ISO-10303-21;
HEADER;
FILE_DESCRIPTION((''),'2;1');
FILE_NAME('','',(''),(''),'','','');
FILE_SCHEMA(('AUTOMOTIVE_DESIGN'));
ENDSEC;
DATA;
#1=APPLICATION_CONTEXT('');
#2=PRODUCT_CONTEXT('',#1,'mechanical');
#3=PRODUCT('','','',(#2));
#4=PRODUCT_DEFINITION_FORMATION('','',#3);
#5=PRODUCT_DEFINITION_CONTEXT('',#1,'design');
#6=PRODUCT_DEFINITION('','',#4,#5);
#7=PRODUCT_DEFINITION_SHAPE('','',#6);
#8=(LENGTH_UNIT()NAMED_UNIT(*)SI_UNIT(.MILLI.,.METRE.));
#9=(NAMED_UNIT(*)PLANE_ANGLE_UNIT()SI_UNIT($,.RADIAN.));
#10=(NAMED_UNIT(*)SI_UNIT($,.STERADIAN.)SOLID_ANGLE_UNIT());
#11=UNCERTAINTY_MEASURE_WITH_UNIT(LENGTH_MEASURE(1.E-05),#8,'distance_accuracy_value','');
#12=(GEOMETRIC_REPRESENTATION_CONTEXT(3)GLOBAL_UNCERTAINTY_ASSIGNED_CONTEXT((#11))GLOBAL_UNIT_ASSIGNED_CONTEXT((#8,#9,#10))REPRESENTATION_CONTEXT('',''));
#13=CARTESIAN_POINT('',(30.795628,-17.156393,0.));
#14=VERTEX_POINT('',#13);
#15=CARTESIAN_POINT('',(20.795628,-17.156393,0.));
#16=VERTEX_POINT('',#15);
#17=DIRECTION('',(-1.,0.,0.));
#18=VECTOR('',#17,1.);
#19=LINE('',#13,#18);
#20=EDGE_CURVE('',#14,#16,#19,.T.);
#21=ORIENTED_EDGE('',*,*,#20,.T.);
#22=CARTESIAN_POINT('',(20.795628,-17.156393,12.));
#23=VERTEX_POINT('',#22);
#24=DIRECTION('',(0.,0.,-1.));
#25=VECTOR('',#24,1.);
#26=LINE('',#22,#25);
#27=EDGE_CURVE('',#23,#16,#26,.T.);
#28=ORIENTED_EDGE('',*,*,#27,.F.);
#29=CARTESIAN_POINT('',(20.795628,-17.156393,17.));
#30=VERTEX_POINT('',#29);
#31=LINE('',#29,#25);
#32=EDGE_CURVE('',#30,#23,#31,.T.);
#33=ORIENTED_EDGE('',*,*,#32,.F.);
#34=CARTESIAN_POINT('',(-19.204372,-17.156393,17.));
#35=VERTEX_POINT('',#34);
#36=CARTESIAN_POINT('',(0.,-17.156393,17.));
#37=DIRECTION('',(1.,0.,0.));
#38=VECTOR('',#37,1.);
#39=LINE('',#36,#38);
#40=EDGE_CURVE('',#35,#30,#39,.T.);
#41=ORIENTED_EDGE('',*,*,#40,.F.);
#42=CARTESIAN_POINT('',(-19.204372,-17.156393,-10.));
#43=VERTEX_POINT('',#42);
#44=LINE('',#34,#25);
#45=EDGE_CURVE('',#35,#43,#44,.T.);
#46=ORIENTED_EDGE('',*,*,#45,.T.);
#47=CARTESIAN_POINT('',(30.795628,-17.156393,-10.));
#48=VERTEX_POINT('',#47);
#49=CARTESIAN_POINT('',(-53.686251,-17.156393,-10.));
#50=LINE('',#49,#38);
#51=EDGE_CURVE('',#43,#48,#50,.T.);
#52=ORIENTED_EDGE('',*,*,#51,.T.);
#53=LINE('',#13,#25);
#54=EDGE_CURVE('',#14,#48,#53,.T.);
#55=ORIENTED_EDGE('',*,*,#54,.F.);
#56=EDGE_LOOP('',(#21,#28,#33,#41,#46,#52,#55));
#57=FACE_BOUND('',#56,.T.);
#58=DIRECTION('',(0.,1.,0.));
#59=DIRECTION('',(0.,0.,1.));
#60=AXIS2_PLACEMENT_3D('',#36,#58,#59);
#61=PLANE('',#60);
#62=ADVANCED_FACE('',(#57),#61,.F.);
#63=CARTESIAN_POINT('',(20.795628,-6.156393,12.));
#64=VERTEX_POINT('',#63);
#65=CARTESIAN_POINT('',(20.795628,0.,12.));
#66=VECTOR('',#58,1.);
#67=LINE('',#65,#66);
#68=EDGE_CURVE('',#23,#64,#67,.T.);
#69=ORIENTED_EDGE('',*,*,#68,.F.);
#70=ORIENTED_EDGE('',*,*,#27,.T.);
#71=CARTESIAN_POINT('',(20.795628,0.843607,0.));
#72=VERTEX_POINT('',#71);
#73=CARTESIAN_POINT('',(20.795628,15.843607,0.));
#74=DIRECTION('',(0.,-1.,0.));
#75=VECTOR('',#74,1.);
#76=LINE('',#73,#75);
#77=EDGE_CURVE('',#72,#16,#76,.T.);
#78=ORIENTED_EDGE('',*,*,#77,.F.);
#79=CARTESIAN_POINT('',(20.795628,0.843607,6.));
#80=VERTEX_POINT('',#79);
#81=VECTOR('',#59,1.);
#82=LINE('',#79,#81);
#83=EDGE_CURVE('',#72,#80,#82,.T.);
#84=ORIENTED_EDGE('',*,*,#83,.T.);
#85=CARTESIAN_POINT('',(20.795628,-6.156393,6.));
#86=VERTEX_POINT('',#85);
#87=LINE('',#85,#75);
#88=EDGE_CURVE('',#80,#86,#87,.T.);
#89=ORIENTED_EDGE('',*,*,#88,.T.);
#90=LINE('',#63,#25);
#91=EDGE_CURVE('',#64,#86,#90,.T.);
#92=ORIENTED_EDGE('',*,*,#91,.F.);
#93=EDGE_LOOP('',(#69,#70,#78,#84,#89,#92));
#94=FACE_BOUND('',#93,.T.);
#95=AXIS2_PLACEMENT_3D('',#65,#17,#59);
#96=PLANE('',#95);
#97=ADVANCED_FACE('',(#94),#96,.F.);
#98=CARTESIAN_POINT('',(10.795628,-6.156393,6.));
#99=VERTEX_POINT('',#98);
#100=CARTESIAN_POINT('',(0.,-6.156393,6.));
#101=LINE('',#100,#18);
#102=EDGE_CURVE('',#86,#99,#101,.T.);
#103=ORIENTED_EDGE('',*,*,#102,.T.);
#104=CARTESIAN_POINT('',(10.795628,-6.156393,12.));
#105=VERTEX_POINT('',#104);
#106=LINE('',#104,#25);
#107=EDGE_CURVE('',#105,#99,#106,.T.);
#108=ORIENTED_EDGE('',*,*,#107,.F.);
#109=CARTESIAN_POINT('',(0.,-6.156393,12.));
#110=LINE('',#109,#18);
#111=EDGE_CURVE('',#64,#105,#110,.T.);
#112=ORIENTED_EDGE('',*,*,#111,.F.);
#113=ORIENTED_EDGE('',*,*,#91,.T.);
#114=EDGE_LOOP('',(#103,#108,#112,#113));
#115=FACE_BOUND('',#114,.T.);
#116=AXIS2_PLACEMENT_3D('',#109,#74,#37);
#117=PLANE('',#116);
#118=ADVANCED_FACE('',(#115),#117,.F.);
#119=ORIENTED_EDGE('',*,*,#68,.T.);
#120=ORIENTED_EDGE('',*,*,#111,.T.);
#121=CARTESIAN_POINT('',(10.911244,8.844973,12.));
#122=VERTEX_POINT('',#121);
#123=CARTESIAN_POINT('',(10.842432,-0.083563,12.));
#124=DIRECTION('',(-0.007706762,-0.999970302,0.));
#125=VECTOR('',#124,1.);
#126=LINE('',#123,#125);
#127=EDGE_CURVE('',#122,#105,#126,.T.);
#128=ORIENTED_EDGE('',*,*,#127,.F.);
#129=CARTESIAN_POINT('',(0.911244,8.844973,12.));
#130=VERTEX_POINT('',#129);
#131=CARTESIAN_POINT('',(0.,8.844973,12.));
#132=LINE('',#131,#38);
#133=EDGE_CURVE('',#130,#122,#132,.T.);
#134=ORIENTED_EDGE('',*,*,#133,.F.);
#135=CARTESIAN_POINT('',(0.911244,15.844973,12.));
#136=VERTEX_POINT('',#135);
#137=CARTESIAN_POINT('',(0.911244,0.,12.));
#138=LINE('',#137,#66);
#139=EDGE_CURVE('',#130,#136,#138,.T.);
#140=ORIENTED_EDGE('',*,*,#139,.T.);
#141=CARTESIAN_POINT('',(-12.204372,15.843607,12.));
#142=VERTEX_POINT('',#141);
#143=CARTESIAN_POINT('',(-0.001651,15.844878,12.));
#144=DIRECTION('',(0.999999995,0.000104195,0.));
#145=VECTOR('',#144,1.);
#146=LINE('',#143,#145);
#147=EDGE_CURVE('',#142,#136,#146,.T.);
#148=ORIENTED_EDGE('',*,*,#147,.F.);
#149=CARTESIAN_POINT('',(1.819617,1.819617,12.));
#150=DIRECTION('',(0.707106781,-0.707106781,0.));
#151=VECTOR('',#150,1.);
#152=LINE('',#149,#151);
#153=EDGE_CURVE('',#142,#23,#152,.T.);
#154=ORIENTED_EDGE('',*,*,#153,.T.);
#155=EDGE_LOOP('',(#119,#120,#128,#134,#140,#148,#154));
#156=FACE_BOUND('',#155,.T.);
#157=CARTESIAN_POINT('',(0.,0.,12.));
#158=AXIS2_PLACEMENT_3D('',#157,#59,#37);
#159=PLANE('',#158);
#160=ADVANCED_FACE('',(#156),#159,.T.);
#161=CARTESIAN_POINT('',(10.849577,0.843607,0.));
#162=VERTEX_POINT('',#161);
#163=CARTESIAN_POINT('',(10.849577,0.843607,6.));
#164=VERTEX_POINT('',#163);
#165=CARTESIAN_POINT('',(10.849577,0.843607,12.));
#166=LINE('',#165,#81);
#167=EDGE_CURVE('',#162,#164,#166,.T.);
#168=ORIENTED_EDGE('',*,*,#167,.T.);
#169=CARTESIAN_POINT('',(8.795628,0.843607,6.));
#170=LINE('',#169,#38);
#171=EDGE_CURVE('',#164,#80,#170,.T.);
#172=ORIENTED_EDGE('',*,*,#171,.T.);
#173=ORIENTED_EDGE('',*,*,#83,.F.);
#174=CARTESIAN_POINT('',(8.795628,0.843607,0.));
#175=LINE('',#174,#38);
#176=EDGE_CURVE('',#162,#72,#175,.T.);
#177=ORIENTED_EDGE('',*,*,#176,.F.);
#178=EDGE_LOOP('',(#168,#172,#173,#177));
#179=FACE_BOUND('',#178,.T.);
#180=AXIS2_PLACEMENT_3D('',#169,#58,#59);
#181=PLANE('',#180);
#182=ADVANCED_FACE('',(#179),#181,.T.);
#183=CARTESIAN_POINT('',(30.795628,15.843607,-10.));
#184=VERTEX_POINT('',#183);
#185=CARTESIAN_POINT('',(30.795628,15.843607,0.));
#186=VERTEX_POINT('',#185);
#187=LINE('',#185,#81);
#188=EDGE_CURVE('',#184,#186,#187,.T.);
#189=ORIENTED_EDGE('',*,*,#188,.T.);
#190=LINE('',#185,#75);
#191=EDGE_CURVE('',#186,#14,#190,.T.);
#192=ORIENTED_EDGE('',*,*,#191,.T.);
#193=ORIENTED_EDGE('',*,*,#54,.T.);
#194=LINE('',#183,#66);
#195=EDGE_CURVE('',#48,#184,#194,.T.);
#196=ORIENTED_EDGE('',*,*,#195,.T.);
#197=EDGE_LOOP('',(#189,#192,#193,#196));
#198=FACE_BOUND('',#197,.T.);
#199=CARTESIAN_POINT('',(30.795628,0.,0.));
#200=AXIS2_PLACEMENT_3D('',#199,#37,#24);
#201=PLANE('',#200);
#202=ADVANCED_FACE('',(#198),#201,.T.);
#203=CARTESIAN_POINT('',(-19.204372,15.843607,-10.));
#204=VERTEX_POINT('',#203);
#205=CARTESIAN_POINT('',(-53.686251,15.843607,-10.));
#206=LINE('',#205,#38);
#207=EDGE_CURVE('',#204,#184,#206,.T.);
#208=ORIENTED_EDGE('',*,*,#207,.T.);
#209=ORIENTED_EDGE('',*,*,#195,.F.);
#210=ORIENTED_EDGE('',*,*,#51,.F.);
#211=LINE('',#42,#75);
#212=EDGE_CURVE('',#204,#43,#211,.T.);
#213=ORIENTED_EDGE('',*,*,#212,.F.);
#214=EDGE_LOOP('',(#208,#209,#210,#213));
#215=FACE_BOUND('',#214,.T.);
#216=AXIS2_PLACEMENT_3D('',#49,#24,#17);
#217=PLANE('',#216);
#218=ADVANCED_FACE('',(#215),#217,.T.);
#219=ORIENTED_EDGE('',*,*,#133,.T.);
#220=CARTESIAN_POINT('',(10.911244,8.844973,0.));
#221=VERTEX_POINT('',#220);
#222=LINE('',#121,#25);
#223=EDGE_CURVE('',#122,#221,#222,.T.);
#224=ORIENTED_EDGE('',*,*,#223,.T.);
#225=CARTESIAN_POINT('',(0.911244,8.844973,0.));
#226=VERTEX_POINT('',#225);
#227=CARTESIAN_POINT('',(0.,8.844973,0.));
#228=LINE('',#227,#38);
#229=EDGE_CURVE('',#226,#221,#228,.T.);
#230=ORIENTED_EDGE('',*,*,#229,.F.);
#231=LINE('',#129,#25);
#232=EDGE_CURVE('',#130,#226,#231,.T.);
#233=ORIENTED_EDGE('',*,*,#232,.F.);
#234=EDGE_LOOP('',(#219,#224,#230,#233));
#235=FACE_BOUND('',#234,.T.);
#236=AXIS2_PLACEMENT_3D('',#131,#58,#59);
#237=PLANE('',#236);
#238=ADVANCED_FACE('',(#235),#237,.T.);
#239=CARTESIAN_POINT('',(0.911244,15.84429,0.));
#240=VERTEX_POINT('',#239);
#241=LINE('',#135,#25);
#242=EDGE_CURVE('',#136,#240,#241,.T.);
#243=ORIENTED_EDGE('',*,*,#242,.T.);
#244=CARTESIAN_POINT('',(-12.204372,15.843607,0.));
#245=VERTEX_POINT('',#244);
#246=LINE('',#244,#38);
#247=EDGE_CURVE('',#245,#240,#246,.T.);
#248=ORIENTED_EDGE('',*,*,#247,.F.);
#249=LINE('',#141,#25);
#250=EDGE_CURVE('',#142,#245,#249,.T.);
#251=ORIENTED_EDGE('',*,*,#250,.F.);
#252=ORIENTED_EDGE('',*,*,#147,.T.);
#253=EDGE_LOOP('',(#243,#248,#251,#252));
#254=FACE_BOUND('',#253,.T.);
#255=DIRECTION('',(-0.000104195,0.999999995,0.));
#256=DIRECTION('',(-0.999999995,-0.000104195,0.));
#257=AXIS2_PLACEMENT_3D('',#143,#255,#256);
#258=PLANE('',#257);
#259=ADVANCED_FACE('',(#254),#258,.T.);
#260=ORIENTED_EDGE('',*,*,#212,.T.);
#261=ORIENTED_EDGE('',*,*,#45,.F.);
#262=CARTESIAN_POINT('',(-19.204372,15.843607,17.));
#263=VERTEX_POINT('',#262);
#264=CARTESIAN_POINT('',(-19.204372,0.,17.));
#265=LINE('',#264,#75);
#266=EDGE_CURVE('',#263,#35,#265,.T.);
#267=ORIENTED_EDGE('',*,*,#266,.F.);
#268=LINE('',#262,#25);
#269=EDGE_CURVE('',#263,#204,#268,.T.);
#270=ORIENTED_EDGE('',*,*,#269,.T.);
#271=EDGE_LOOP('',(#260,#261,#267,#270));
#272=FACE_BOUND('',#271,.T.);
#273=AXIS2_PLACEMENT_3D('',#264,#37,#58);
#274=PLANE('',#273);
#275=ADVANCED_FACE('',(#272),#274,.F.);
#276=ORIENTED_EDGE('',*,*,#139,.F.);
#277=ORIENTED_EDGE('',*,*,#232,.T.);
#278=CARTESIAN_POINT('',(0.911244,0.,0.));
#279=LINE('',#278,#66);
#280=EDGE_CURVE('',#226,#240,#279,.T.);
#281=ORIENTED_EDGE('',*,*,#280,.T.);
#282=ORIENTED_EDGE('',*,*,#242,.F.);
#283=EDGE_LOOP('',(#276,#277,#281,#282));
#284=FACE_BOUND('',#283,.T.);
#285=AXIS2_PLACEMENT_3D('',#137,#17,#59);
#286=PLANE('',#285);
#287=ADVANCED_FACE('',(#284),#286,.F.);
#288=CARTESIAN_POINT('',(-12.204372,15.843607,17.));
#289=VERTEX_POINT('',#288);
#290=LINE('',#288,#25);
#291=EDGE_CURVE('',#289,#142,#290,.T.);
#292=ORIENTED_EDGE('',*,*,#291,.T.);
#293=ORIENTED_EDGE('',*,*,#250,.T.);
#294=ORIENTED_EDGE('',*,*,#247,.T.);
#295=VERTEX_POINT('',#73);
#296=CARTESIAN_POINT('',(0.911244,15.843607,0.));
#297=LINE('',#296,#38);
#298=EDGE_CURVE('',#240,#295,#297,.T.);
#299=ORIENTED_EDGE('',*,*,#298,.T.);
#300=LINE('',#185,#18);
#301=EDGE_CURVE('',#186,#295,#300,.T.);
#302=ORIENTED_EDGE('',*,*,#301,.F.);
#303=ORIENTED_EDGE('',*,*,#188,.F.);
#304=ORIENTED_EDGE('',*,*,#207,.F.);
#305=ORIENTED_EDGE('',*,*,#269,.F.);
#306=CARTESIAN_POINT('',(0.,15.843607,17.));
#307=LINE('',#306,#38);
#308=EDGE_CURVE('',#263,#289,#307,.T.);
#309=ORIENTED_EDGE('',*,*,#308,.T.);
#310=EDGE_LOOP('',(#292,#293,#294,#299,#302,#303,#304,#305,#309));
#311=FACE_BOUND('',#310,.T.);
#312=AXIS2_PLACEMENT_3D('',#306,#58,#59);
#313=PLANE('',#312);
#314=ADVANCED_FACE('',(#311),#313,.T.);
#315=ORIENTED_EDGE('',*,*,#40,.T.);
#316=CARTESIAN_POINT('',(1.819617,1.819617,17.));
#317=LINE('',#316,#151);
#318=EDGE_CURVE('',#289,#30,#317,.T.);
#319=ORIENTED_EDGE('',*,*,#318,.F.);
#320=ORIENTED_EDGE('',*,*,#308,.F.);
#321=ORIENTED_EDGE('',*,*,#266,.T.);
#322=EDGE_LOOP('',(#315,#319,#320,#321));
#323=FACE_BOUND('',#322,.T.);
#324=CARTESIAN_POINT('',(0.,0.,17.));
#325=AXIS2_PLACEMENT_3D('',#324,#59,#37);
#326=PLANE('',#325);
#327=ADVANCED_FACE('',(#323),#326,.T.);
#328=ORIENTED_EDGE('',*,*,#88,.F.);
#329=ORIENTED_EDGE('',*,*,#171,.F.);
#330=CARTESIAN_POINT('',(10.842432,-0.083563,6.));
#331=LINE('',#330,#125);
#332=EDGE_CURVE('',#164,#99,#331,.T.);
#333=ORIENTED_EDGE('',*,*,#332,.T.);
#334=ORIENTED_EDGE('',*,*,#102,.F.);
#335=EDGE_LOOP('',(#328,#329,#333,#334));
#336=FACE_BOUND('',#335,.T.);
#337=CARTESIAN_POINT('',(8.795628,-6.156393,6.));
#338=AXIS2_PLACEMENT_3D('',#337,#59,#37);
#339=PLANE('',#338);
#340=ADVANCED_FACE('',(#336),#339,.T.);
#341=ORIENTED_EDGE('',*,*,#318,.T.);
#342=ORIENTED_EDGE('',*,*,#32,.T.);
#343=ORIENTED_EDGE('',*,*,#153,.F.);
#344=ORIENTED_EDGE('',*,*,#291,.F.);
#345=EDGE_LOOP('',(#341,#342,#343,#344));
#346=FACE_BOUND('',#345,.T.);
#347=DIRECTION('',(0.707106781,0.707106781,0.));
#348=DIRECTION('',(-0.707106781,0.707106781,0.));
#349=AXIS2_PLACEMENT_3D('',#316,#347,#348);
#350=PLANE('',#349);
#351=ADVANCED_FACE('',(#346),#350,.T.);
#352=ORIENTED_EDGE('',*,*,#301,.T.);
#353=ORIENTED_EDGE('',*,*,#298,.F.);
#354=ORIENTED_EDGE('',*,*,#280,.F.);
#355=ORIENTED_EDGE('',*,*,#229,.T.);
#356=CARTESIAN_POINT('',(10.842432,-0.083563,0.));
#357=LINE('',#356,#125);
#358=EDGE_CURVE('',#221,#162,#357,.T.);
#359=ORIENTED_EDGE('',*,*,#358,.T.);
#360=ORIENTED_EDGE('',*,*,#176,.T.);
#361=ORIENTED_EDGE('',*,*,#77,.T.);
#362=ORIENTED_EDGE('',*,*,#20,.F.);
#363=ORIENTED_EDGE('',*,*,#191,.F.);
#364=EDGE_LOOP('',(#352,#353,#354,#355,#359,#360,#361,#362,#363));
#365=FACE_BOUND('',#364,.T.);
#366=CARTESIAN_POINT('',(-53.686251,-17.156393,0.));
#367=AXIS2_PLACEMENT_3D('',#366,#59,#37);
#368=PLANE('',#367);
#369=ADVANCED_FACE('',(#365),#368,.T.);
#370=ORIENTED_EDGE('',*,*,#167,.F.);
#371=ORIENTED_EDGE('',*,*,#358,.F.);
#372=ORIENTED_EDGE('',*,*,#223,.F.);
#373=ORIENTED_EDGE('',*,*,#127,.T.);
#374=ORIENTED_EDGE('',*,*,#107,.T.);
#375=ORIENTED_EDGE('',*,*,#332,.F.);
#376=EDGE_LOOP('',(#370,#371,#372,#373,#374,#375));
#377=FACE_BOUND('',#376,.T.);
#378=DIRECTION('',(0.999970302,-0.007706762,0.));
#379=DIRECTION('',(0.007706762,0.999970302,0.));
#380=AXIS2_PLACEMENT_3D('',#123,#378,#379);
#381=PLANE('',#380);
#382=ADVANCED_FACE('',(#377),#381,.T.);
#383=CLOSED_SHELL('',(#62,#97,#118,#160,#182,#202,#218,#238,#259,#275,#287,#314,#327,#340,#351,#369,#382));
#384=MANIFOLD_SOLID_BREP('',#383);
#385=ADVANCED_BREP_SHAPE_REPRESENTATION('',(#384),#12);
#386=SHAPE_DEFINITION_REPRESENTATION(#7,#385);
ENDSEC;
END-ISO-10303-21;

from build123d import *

# Parameters (mm, degrees)
EXTRUDE_1_DEPTH = 17
EXTRUDE_2_DEPTH = 12
SKETCH_3_W      = 6
SKETCH_3_H      = 7
EXTRUDE_3_DEPTH = 12
SKETCH_4_W      = 10
SKETCH_4_H      = 33
EXTRUDE_4_DEPTH = 40
SKETCH_10_W     = 10
SKETCH_10_H     = 33
EXTRUDE_5_DEPTH = 10


with BuildPart() as part:
    # 草圖2 → 填料-伸長1 (new body)
    with BuildSketch(Plane.XY):
        Polygon((-19.204371621, 15.843606587), (-19.204371621, -17.156393413), (20.795628379, -17.156393413), (-12.204371621, 15.843606587), align=None)
    extrude(amount=EXTRUDE_1_DEPTH)

    # 草圖2<3> → 填料-伸長2 (add)
    with BuildSketch(Plane.XY):
        Polygon((0.911243772, 15.844973174), (-12.204371621, 15.843606587), (20.795628379, -17.156393413), (20.795628379, -6.156393413), (10.795628379, -6.156393413), (10.853436076, 1.344289881), (10.911243772, 8.844973174), (0.911243772, 8.844973174), align=None)
    extrude(amount=EXTRUDE_2_DEPTH)

    # 草圖3 → 填料-伸長3 (add)
    with BuildSketch(Plane(origin=(20.795628379, 0, 0), x_dir=(0, 0, -1), z_dir=(1, 0, 0))):
        with Locations((-3, -2.656393413)):
            Rectangle(SKETCH_3_W, SKETCH_3_H)
    extrude(amount=-EXTRUDE_3_DEPTH)



with BuildPart() as body_2:
    # 草圖4 → 填料-伸長4 (new body)
    with BuildSketch(Plane(origin=(20.795628379, 0, 0), x_dir=(0, 0, -1), z_dir=(1, 0, 0))):
        with Locations((5, -0.656393413)):
            Rectangle(SKETCH_4_W, SKETCH_4_H)
    extrude(amount=-EXTRUDE_4_DEPTH)


with BuildPart() as part_1:
    add(part.part)

    add(body_2.part)  # 填料-伸長5 merges body 2
    # 草圖10 → 填料-伸長5 (add)
    with BuildSketch(Plane(origin=(20.795628379, 0, 0), x_dir=(0, 0, -1), z_dir=(1, 0, 0))):
        with Locations((5, -0.656393413)):
            Rectangle(SKETCH_10_W, SKETCH_10_H)
    extrude(amount=EXTRUDE_5_DEPTH)


solid = part_1.part
